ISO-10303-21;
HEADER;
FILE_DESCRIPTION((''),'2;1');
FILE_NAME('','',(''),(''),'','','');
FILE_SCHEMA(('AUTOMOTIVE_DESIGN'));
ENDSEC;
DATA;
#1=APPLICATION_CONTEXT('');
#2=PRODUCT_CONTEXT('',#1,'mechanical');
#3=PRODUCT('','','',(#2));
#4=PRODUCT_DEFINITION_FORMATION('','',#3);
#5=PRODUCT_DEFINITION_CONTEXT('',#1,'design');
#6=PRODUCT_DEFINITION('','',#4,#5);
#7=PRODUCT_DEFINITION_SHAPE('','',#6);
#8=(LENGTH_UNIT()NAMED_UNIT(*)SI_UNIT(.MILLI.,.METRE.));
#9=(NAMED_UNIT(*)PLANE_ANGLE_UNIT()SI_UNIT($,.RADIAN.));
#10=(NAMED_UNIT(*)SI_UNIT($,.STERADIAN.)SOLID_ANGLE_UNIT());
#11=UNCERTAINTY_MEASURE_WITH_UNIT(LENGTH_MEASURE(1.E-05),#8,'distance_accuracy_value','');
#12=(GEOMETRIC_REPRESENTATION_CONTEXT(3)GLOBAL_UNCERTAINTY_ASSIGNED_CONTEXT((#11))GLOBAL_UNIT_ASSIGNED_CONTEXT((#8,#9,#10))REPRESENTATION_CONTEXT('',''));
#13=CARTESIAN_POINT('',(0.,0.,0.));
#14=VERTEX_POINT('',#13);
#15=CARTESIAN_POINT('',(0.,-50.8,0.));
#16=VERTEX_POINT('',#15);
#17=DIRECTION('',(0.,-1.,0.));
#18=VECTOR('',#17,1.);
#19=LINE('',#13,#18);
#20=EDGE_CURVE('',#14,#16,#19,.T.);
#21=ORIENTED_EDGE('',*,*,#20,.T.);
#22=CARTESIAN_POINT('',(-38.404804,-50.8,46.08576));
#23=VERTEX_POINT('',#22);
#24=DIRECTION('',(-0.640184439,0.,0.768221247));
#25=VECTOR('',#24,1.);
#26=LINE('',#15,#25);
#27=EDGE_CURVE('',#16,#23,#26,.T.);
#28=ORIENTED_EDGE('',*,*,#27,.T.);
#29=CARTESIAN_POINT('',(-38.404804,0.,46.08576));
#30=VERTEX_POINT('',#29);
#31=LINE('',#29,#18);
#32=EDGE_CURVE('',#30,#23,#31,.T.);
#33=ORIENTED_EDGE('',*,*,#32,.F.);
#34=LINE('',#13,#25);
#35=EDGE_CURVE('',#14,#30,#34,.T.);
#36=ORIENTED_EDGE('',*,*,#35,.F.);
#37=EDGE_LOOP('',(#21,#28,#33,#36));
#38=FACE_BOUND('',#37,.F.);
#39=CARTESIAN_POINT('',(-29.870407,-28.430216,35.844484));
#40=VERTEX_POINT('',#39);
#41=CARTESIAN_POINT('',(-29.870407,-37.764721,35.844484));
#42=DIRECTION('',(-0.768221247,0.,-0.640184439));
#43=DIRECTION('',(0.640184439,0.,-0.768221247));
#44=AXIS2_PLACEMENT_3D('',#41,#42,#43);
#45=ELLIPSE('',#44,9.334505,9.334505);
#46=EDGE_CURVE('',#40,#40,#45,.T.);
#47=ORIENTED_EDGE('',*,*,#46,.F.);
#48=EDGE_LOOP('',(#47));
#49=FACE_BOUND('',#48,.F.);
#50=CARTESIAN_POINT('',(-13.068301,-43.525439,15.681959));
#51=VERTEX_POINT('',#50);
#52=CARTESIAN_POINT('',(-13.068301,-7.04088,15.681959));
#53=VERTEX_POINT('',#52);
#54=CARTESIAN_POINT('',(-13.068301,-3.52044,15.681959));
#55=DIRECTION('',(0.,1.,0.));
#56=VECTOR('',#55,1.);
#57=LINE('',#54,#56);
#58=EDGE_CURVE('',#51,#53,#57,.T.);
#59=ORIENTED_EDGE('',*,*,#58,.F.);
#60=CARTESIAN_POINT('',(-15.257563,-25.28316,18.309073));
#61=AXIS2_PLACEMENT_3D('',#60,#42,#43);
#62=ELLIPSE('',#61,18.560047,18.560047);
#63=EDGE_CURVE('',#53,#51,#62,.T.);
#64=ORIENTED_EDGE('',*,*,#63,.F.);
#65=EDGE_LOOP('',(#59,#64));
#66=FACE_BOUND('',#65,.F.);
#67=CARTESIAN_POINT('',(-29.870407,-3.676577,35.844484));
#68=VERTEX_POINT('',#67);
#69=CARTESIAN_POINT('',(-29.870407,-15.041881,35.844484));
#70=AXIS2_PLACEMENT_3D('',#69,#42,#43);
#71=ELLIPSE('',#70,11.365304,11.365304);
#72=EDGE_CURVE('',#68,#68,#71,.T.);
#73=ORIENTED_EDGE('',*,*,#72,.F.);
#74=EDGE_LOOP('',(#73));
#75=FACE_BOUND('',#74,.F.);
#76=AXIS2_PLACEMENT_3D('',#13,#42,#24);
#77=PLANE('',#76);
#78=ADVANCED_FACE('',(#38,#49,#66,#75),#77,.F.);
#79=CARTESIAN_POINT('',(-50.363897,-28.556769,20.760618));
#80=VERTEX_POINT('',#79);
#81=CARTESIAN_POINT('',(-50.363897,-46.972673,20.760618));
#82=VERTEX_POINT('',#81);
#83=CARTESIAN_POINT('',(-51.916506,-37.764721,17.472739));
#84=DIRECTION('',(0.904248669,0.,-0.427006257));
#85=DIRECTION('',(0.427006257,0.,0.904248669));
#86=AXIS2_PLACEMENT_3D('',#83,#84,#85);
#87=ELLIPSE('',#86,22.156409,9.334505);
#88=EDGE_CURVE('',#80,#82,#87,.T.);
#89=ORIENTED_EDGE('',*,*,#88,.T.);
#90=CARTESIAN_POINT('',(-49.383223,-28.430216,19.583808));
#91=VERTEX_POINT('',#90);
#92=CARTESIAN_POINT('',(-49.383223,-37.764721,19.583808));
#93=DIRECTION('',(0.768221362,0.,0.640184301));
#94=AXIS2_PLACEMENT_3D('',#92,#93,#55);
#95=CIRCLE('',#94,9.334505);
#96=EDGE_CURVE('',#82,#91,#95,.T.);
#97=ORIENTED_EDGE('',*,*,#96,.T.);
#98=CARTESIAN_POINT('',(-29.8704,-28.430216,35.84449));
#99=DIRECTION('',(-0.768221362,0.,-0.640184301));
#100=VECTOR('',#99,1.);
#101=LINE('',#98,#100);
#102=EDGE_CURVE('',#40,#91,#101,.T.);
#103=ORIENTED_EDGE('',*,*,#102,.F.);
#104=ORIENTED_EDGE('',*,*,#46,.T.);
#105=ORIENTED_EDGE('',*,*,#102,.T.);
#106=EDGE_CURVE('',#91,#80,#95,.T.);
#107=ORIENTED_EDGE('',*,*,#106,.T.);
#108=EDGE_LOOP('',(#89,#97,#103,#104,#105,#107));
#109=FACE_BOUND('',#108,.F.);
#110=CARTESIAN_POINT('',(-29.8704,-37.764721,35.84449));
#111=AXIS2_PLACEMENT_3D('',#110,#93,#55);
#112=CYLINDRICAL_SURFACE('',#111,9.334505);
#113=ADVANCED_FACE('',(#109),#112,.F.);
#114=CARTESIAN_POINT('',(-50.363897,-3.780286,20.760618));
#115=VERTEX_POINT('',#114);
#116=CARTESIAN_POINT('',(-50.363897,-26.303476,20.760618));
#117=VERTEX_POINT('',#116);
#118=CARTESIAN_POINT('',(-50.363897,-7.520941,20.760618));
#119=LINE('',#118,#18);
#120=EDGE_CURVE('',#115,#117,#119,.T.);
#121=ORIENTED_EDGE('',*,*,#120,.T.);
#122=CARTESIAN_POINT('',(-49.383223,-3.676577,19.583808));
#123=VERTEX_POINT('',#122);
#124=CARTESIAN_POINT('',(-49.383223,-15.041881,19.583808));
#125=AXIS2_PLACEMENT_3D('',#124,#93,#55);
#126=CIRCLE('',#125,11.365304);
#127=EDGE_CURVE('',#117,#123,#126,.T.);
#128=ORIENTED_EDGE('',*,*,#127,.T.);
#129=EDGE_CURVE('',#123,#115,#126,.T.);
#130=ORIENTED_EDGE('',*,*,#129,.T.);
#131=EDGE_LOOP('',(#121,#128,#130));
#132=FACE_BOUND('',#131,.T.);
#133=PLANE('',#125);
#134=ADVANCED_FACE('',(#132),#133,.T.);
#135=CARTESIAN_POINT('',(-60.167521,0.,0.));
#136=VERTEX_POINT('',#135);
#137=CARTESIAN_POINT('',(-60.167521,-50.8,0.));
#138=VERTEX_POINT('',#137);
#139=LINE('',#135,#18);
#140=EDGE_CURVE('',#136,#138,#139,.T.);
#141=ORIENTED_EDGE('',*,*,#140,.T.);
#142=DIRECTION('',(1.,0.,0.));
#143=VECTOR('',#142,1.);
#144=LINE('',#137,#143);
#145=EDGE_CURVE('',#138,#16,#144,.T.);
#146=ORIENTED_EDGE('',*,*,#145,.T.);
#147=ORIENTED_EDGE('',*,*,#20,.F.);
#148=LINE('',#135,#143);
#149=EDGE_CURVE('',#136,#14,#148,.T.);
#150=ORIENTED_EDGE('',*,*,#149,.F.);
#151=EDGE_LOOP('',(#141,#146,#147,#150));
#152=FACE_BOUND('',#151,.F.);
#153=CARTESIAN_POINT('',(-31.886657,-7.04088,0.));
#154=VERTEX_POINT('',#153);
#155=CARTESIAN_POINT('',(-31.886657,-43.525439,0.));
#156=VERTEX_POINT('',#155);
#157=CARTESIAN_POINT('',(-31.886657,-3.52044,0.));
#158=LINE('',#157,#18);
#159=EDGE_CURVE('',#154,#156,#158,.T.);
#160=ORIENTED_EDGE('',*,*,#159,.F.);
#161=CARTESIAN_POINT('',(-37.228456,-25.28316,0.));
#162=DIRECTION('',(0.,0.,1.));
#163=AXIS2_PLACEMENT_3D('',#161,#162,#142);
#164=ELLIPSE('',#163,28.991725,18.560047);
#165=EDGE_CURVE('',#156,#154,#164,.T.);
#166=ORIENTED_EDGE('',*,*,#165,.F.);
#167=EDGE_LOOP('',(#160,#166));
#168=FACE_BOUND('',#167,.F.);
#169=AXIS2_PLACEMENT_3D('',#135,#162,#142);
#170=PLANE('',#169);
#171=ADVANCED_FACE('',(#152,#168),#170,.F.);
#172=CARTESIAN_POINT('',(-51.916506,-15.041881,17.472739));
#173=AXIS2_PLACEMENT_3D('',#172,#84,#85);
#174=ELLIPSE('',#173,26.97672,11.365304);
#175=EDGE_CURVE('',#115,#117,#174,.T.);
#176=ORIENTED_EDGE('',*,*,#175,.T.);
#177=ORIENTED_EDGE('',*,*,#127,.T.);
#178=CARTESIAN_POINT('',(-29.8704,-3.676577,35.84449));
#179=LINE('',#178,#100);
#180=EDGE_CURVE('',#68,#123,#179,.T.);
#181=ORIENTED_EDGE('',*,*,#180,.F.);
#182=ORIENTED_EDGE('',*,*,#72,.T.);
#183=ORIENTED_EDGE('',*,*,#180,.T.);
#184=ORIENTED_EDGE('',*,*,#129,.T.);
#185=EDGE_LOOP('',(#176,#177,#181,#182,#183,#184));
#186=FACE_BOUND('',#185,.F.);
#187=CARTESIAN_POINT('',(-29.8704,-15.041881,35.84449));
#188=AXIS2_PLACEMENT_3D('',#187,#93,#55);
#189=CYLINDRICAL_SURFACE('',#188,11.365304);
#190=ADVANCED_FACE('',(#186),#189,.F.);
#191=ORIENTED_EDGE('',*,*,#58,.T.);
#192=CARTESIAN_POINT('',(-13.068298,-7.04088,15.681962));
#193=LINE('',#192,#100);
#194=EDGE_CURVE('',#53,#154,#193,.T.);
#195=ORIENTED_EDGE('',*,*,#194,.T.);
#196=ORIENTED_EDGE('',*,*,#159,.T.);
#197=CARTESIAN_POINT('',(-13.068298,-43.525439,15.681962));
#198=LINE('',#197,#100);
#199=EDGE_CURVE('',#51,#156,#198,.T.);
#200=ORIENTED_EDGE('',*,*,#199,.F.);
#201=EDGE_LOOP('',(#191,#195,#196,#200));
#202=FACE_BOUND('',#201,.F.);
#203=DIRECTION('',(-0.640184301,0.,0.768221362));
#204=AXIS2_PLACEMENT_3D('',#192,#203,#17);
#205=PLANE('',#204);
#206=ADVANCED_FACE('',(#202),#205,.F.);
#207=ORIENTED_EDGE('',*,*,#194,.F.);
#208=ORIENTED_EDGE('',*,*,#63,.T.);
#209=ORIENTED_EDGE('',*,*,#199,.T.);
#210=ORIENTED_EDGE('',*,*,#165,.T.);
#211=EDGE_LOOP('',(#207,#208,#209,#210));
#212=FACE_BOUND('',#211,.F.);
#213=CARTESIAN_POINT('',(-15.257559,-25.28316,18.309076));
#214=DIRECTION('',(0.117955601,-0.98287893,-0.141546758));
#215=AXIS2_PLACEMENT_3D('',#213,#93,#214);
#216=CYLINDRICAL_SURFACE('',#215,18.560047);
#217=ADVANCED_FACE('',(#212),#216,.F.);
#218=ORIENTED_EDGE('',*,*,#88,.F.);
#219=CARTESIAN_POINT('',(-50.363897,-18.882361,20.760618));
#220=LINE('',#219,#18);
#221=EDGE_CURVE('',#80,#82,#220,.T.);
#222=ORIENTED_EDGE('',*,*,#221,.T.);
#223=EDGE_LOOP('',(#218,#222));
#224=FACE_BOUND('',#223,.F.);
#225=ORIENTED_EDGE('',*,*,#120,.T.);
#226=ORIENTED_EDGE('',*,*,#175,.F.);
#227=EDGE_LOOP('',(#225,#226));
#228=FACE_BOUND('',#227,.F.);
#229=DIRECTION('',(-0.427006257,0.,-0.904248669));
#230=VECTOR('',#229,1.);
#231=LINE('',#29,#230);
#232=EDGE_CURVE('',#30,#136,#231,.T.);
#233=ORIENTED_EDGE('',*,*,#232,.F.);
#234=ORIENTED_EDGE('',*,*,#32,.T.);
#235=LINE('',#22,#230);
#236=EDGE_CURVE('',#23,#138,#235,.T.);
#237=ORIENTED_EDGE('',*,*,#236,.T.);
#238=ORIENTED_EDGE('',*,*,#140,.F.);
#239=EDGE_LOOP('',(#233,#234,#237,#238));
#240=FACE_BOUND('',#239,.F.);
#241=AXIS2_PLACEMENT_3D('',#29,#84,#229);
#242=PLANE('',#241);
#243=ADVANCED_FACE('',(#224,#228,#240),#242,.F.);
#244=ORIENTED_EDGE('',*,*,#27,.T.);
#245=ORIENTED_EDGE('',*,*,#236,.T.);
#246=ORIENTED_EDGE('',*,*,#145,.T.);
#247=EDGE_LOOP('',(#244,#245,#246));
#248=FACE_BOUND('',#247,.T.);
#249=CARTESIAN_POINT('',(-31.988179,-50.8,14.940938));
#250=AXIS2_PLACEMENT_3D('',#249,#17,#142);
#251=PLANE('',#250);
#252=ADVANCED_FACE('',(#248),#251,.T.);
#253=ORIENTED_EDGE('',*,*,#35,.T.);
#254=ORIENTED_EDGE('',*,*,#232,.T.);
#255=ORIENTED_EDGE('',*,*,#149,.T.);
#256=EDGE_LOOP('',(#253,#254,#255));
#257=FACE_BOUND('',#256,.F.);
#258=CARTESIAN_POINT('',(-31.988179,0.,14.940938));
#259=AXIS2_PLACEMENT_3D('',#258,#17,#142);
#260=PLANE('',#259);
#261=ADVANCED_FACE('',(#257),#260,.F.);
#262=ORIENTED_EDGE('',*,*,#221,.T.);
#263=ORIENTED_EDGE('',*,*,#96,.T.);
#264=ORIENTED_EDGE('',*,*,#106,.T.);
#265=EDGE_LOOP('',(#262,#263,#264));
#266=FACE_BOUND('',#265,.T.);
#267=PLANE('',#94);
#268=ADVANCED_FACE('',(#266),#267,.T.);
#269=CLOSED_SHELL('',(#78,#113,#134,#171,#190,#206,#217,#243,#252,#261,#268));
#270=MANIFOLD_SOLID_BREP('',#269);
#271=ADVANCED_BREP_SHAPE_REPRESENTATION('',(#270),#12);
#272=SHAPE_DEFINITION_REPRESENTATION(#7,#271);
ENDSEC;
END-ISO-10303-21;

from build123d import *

# Parameters (mm, degrees)
F1_DEPTH = 50.8
F2_R     = 9.334505
F2_R_2   = 11.365304
F3_DEPTH = 25.4


with BuildPart() as f1:
    # F0 (on Front) → F1 (new body)
    with BuildSketch(Plane.XZ):
        Polygon((-60.167521, 0), (0, 0), (-38.404804, 46.08576), align=None)
    extrude(amount=F1_DEPTH)

    # F2 (on face) → F3 (cut)
    with BuildSketch(Plane(origin=(0, 0, 0), x_dir=(0, 1, 0), z_dir=(0.768221, 0, 0.640184))):
        with Locations((-37.764721, 46.659064)):
            Circle(F2_R)
        with Locations((-15.041881, 46.659064)):
            Circle(F2_R_2)
        with BuildLine():
            Line((-7.04088, 20.413337), (-43.525439, 20.413337))
            ThreePointArc((-43.525439, 20.413337), (-25.283159, 5.273026), (-7.04088, 20.413337))
        make_face()
    extrude(amount=-F3_DEPTH, mode=Mode.SUBTRACT)


solid = f1.part
